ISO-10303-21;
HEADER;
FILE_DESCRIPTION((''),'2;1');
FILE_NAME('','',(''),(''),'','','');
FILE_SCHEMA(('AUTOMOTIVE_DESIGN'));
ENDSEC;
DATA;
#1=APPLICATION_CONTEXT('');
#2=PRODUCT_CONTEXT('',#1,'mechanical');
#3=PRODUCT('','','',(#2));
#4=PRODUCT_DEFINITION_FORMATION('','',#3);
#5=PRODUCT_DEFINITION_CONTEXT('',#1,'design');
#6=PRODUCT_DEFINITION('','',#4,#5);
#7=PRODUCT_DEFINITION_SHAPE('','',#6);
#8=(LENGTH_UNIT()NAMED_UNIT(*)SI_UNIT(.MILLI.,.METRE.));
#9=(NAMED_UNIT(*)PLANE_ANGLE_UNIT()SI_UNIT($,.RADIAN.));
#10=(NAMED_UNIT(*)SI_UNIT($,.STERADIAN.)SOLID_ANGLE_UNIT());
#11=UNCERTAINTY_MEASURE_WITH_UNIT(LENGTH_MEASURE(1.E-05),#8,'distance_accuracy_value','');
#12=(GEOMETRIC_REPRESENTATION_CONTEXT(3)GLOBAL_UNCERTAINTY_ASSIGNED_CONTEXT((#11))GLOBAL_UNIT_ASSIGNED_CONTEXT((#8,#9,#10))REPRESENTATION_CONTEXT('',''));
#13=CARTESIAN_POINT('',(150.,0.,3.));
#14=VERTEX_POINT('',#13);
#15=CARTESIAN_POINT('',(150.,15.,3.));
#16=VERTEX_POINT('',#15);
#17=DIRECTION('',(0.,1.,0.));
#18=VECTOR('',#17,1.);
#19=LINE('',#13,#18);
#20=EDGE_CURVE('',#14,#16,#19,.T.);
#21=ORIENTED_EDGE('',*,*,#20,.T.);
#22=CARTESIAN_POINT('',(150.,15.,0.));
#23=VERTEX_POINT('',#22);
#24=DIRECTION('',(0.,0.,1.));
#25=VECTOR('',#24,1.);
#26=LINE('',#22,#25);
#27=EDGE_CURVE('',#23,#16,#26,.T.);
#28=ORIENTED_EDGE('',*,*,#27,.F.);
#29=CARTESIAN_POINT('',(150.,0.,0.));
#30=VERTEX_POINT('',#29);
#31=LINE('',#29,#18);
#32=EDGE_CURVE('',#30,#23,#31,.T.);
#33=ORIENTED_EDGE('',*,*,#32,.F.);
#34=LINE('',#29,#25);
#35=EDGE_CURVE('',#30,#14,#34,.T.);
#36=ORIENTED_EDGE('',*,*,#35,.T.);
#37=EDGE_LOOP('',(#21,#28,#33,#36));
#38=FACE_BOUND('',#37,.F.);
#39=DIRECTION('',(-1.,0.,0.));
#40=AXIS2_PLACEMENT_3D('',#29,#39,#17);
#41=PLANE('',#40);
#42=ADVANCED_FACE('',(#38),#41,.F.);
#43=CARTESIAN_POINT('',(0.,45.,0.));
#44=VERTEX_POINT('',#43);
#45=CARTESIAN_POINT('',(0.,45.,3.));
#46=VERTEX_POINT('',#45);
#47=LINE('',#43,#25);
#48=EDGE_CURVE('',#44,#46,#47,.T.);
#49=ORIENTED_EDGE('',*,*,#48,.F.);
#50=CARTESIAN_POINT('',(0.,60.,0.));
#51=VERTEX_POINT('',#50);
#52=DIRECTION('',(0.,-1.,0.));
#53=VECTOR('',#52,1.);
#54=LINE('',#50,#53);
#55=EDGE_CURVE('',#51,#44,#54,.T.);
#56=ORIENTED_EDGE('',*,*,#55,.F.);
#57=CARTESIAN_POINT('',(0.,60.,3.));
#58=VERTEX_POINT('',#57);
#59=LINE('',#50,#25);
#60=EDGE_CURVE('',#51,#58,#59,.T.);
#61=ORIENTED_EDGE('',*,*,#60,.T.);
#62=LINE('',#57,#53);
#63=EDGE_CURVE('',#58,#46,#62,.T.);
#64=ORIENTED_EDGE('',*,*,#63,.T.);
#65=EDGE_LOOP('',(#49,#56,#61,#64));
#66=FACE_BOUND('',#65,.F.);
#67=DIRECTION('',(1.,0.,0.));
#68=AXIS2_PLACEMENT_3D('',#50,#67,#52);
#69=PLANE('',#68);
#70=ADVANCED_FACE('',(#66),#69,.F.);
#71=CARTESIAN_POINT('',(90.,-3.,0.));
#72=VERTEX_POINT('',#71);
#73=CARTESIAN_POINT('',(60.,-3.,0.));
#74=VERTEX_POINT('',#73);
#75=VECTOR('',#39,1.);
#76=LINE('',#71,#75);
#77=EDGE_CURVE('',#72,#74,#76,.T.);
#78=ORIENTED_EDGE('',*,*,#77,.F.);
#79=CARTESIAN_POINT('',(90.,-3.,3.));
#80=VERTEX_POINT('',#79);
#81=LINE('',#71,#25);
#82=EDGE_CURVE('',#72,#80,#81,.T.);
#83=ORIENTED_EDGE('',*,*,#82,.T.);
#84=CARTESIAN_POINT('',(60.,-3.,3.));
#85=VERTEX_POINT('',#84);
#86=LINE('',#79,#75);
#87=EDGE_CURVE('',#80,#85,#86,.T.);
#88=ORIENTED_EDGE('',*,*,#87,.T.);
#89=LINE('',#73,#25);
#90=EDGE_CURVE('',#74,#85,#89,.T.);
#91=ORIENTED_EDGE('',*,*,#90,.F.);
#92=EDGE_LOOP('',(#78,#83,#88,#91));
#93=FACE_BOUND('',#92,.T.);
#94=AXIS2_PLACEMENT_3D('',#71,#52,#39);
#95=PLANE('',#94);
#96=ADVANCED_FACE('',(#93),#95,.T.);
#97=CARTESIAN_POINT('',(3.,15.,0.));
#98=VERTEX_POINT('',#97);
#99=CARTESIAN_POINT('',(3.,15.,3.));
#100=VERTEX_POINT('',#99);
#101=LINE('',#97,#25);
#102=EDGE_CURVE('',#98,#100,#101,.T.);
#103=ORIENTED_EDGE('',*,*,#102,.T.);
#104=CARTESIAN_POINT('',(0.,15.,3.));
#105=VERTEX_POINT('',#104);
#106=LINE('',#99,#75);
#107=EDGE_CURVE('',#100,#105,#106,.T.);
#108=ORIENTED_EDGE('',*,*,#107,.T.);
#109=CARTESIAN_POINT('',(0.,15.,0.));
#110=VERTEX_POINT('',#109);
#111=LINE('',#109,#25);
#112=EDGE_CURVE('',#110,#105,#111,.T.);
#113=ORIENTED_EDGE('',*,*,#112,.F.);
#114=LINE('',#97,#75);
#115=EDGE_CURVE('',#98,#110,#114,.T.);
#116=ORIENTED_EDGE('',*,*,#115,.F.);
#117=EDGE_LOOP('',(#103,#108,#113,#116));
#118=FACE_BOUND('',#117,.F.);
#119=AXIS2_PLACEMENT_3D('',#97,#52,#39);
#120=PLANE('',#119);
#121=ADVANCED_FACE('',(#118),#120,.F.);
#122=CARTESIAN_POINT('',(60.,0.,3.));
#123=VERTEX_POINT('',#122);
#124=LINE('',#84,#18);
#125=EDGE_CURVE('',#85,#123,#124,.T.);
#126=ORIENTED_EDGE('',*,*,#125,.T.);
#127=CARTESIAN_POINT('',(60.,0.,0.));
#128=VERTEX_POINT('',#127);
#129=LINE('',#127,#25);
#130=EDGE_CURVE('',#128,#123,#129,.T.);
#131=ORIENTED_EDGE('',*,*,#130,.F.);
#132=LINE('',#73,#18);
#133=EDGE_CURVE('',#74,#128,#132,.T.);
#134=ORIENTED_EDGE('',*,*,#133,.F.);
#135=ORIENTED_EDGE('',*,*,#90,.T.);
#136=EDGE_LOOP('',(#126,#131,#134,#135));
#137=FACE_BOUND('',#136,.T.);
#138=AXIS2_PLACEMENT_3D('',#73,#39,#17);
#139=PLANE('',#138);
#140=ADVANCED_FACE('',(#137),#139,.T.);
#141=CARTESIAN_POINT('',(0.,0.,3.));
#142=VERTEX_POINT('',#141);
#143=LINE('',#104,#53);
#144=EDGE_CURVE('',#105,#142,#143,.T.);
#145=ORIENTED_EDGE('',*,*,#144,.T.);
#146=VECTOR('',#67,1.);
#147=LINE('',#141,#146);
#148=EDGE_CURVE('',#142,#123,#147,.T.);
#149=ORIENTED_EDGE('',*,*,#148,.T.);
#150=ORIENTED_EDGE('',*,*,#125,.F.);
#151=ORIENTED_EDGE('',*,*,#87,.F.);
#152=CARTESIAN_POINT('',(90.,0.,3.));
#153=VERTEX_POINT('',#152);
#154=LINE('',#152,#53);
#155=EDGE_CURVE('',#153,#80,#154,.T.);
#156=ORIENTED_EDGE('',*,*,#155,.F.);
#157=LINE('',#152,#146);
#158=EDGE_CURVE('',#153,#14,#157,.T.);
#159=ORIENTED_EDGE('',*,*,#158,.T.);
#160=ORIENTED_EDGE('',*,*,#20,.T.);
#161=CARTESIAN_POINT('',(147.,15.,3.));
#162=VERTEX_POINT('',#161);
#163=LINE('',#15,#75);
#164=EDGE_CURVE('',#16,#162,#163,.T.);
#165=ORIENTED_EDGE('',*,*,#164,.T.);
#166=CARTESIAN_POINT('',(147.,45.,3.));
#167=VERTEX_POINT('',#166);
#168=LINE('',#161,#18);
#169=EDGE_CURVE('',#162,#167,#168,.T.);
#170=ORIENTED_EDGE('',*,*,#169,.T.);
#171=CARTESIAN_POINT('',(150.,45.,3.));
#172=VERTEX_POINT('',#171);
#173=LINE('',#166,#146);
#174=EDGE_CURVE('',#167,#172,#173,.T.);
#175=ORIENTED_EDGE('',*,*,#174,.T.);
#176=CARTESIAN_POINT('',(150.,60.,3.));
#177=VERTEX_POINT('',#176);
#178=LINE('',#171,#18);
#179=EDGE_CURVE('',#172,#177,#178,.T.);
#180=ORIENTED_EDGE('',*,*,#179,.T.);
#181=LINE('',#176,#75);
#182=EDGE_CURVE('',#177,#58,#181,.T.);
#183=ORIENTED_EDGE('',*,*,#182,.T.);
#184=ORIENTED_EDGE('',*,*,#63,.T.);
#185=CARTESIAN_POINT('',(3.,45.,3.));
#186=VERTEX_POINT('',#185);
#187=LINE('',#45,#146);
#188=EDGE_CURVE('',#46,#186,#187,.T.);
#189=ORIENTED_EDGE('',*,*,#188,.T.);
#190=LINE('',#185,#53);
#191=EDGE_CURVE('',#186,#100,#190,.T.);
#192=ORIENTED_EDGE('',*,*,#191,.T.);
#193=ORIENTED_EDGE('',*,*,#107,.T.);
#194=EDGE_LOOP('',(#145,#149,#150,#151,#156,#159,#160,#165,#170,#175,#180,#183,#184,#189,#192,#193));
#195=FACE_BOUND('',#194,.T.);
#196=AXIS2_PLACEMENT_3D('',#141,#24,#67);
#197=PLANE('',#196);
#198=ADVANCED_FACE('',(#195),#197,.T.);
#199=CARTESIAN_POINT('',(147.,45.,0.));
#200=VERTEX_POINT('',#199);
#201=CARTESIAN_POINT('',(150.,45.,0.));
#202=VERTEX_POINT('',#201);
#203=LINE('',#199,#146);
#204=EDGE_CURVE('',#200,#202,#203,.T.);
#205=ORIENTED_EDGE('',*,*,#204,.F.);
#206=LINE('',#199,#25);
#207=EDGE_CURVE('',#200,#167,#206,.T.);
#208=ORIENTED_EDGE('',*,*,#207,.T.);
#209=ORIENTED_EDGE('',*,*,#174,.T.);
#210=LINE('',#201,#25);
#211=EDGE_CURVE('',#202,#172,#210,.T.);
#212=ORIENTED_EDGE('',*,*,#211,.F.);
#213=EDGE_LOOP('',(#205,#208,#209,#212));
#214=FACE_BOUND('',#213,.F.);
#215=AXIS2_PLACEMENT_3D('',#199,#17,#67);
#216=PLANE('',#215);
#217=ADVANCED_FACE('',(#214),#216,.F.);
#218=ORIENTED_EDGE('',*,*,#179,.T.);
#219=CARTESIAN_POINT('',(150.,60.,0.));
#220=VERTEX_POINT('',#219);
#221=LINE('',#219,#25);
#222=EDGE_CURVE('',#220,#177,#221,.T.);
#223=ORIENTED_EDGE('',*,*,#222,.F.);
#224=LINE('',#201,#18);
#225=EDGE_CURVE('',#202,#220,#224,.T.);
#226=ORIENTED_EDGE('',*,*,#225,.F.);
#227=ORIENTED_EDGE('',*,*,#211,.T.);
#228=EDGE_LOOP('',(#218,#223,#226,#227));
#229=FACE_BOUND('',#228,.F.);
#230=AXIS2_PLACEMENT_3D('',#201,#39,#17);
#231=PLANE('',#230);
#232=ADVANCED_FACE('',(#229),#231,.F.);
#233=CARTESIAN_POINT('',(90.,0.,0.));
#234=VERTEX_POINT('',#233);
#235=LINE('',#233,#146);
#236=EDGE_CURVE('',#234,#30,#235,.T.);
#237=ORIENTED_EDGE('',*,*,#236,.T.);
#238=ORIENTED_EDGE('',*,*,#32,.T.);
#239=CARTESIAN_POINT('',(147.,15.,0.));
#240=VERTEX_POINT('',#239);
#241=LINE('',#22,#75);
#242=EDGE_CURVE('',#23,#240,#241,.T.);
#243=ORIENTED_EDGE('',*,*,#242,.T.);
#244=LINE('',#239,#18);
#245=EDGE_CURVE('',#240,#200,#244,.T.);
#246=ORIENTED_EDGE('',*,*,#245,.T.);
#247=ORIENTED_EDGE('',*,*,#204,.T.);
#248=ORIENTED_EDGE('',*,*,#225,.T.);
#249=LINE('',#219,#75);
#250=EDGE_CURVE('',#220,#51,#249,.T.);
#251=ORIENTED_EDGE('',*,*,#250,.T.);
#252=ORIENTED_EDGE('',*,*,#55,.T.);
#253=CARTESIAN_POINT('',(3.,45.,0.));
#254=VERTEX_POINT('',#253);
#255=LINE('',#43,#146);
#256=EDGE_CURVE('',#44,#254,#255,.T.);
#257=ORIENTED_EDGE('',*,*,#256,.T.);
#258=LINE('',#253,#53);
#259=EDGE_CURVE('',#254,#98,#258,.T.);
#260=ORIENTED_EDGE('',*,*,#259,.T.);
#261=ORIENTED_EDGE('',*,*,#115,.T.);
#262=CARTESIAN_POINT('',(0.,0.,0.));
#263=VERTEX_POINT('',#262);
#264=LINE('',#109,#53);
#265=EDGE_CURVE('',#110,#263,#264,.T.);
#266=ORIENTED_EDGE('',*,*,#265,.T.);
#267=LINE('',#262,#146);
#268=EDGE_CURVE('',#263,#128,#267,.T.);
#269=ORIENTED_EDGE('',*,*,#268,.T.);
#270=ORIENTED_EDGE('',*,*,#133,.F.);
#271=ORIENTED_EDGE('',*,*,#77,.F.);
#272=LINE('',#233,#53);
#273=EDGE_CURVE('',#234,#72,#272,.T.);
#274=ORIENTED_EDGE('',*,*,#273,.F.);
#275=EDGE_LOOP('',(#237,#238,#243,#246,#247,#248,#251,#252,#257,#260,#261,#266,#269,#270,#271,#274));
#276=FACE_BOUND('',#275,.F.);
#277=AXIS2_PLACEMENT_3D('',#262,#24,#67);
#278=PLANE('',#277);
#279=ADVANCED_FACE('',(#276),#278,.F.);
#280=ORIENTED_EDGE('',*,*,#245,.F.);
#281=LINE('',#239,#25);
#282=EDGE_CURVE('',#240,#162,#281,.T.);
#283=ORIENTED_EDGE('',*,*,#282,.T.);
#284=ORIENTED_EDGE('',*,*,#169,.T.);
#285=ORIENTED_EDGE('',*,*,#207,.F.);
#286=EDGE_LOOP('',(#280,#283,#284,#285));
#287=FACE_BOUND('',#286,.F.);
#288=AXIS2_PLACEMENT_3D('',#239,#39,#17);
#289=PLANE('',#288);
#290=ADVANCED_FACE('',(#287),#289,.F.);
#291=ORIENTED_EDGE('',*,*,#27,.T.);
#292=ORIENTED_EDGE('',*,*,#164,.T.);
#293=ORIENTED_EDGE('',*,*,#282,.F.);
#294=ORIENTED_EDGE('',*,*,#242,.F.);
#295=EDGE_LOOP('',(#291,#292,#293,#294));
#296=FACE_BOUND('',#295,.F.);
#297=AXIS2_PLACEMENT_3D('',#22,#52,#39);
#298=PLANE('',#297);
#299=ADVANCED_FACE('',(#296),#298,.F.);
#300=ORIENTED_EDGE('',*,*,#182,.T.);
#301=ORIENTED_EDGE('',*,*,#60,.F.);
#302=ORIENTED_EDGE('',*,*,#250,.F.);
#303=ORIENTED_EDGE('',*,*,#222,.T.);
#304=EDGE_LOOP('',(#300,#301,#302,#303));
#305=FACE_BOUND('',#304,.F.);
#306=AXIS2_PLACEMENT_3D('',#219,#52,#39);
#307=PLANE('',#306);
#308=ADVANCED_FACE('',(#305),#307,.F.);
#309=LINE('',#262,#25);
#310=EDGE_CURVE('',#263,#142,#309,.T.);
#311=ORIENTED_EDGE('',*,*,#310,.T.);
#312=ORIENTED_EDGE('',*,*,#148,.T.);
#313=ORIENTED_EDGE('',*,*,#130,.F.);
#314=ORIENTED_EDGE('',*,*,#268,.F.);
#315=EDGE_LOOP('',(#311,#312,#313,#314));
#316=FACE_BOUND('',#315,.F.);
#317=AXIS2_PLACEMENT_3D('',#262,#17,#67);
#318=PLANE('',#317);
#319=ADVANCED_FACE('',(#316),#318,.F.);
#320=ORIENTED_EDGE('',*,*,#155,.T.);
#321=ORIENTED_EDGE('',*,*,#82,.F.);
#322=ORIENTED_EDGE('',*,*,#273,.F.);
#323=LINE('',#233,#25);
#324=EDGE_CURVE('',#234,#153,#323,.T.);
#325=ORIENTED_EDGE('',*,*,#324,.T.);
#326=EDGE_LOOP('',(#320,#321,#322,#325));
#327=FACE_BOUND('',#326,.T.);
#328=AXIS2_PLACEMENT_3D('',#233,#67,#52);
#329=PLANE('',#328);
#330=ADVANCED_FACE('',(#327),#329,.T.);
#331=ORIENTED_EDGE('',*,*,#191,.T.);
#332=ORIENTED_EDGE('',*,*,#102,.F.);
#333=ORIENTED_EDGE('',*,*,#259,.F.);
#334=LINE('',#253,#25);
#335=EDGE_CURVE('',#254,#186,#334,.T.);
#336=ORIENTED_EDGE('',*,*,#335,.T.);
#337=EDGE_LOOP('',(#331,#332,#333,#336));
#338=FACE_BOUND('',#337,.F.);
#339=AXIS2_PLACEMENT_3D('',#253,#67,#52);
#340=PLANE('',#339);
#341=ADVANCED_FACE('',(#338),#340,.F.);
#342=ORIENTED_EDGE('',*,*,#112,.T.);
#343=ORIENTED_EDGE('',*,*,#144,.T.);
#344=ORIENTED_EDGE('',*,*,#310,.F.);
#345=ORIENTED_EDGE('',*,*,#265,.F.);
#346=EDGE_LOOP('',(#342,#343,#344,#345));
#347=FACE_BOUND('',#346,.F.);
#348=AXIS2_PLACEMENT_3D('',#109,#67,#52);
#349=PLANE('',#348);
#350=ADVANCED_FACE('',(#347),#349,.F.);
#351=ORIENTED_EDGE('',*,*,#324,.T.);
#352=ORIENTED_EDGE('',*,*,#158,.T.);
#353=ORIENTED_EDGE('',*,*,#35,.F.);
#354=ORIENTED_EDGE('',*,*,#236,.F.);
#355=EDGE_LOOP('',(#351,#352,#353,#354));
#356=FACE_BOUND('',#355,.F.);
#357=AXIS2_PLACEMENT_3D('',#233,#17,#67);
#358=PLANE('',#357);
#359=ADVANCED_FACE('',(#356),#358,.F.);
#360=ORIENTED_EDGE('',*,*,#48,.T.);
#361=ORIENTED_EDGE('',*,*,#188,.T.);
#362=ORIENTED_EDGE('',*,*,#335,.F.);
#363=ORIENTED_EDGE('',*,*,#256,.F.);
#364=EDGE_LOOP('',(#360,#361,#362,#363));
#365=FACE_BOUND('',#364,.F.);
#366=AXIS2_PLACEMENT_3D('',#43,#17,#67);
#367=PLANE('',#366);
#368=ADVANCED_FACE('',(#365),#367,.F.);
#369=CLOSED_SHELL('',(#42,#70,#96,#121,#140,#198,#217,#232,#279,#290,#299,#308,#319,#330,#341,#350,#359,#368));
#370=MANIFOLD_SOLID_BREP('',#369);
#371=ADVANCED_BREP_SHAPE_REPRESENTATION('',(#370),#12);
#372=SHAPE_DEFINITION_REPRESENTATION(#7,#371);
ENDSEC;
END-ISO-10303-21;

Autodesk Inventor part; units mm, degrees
ref_plane "YZ Plane" through (0, 0, 0) normal (1, 0, 0) x (0, 1, 0)
ref_plane "XZ Plane" through (0, 0, 0) normal (0, 1, 0) x (-1, 0, 0)
ref_plane "XY Plane" through (0, 0, 0) normal (0, 0, 1) x (1, 0, 0)
sketch "Sketch1" plane through (0, 0, 0) normal (0, 0, 1) x (1, 0, 0)
  line L0 (90, 0) -> (90, -3)
  line L1 (90, -3) -> (60, -3)
  line L2 (60, -3) -> (60, 0)
  line L3 (0, 0) -> (60, 0)
  line L4 (90, 0) -> (150, 0)
  line L5 (0, 45) -> (3, 45)
  line L6 (3, 45) -> (3, 15)
  line L7 (3, 15) -> (0, 15)
  line L8 (0, 60) -> (0, 45)
  line L9 (0, 15) -> (0, 0)
  line L10 (150, 60) -> (0, 60)
  line L11 (150, 15) -> (147, 15)
  line L12 (147, 15) -> (147, 45)
  line L13 (147, 45) -> (150, 45)
  line L14 (150, 0) -> (150, 15)
  line L15 (150, 45) -> (150, 60)
  dimension "d1" = 150
  dimension "d2" = 60
  dimension "d6" = 3
  dimension "d7" = 15
  dimension "d8" = 3
  dimension "d10" = 30
  dimension "d11" = 30
  dimension "d12" = 3
  dimension "d13" = 3
  dimension "d14" = 15
extrude "Extrusion1" add sketch "Sketch1" along normal blind 3
properties part number "bawah"
